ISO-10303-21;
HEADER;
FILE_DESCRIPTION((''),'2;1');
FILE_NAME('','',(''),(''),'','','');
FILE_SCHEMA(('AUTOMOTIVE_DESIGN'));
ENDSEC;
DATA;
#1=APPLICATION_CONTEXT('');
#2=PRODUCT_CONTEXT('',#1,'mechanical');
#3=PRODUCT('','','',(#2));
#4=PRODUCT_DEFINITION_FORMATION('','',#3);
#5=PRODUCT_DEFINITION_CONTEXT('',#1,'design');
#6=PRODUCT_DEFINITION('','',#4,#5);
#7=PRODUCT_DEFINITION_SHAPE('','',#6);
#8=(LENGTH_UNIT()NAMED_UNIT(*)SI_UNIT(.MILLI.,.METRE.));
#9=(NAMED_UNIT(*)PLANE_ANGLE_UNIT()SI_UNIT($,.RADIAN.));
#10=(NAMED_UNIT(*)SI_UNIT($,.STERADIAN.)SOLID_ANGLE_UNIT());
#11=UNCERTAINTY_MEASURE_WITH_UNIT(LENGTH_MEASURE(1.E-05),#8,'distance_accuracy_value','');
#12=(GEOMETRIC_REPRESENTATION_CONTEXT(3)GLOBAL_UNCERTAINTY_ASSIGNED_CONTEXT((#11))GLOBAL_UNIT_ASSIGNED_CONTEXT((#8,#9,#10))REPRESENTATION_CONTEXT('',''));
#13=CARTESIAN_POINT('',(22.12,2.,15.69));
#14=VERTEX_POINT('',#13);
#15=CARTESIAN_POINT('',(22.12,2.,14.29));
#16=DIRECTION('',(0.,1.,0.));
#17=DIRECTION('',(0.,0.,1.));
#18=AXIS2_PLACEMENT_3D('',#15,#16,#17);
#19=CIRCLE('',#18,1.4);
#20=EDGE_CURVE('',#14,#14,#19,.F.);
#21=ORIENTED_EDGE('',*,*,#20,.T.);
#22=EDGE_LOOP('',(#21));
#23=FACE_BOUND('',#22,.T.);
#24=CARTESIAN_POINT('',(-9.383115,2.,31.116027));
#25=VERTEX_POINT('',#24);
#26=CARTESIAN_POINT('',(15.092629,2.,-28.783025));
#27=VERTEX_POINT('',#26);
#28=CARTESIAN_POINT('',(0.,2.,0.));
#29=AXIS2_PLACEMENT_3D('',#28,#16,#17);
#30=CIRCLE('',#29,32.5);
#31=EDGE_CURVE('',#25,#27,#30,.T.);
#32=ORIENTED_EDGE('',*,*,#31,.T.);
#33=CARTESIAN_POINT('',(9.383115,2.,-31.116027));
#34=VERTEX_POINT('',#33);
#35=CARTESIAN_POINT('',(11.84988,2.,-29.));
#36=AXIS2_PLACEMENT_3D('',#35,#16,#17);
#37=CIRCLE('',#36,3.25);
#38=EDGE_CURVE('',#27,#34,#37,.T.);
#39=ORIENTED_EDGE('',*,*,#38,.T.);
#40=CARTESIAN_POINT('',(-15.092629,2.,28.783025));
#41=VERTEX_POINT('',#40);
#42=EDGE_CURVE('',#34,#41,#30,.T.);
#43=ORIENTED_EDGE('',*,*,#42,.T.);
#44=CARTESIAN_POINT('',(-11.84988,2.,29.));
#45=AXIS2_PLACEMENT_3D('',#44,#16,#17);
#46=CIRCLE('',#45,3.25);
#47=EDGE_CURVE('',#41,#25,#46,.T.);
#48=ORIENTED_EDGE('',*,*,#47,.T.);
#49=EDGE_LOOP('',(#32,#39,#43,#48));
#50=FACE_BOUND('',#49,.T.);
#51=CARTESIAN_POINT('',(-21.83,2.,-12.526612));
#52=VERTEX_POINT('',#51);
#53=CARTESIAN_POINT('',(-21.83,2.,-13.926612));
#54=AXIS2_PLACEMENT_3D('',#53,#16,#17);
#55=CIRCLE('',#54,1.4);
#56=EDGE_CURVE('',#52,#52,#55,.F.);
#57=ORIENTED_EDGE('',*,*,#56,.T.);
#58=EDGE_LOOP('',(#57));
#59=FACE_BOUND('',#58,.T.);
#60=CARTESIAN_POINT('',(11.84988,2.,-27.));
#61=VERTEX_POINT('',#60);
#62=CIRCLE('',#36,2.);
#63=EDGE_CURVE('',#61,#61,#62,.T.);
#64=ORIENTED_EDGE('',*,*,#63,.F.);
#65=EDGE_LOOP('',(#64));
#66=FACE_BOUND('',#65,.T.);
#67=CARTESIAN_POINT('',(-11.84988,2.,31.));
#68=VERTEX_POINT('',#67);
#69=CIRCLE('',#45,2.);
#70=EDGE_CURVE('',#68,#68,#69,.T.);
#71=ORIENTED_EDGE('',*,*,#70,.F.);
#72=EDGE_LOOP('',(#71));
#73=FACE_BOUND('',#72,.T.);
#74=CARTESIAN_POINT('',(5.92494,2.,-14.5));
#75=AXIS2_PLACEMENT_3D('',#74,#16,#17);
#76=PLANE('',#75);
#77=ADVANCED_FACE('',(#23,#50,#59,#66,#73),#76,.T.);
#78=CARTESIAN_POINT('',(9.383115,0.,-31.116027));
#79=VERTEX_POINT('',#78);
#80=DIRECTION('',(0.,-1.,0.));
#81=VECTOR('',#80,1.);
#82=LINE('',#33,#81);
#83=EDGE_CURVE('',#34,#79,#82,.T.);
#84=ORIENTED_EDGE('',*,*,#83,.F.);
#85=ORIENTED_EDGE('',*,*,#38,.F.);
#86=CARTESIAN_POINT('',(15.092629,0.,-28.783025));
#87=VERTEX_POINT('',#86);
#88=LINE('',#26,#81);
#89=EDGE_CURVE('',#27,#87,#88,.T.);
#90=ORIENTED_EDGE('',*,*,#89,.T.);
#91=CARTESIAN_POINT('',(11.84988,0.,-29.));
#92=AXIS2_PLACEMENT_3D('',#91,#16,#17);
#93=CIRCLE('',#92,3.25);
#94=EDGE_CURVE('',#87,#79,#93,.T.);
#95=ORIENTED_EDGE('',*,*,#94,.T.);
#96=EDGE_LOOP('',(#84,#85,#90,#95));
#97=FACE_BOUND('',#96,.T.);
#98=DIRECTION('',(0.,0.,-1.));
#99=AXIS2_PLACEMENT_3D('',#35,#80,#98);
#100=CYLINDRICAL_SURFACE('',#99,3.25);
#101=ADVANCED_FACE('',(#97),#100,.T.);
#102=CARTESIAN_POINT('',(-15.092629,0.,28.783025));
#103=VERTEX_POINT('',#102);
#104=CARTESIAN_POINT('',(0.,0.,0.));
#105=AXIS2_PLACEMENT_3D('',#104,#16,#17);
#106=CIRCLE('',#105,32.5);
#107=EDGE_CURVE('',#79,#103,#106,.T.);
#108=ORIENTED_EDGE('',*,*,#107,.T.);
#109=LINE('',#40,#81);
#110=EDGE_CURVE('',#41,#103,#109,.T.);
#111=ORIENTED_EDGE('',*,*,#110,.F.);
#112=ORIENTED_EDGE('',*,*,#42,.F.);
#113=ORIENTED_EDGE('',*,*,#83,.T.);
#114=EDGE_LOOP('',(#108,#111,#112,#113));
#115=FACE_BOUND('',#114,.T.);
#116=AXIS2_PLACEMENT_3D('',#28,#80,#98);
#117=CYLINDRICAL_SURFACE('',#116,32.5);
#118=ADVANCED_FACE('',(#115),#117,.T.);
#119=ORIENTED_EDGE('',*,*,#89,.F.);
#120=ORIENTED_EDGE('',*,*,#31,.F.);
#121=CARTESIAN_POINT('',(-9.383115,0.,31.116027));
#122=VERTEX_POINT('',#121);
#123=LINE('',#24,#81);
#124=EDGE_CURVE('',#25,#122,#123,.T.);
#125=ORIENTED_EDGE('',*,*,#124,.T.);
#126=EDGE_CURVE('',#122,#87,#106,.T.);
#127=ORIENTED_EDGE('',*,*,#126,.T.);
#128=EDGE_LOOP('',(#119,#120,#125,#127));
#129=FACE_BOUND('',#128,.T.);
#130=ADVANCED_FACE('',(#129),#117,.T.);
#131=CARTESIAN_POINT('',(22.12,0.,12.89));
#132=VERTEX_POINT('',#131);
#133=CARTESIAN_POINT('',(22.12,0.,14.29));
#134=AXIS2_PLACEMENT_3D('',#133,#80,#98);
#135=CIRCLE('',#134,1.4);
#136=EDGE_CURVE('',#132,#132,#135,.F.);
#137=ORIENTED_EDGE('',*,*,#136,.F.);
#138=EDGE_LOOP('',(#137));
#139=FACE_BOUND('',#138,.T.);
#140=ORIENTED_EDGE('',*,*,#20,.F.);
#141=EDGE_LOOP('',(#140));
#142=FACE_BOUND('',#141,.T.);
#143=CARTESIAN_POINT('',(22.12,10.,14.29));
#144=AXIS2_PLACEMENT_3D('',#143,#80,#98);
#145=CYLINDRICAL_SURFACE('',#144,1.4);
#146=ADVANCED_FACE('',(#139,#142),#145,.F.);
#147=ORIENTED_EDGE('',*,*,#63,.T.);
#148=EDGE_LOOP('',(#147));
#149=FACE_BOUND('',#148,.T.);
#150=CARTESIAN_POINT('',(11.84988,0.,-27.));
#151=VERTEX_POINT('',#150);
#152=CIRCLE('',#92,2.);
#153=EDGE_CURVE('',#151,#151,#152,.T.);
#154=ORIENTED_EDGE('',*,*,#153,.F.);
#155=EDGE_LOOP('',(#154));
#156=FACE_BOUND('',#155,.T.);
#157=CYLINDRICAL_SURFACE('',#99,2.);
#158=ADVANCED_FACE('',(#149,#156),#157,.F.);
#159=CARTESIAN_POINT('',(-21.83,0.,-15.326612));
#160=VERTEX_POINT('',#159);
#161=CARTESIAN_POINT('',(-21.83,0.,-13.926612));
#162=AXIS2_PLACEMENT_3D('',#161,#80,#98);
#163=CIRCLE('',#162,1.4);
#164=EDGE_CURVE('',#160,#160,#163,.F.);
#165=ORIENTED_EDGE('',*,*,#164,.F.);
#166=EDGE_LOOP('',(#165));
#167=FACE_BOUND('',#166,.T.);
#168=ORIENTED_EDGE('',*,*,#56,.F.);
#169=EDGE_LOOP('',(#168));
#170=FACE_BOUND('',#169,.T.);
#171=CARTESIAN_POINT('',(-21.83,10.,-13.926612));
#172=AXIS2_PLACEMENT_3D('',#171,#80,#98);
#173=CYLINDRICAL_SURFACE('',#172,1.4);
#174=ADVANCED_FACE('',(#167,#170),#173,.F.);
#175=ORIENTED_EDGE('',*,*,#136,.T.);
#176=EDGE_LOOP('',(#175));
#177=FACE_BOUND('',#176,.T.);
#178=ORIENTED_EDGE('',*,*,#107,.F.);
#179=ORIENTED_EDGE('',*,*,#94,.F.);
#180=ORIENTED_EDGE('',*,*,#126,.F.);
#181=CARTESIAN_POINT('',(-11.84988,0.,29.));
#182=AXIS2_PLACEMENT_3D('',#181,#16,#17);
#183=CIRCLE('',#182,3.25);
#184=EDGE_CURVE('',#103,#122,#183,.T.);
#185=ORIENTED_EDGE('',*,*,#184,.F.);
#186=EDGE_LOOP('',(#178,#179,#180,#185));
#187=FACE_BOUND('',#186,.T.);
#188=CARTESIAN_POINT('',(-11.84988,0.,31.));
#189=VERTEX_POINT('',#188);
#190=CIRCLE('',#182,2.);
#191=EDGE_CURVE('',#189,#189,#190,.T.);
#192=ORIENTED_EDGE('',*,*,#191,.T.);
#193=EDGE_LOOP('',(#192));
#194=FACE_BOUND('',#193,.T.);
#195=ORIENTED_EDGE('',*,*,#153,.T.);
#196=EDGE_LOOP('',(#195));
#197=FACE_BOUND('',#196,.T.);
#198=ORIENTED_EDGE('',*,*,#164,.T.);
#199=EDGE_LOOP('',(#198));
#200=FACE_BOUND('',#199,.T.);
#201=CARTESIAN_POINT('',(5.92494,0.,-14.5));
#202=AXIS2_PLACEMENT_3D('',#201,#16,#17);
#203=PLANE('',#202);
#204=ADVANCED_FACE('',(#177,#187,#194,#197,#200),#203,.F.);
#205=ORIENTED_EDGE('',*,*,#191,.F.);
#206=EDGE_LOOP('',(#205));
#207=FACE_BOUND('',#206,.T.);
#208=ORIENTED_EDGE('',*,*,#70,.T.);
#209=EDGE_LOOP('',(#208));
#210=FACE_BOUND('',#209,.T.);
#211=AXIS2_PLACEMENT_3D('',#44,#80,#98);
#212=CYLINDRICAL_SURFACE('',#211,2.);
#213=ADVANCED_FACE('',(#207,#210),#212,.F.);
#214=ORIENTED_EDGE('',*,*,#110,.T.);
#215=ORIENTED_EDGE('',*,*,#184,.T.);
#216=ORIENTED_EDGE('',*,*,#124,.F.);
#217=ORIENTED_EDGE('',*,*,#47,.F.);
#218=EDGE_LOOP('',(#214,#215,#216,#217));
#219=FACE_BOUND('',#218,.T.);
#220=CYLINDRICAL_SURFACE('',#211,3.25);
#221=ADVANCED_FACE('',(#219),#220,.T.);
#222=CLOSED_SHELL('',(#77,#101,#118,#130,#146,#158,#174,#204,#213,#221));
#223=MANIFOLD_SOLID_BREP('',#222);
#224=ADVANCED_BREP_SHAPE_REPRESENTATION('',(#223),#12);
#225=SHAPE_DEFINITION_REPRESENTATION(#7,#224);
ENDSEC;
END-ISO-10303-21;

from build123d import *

# Parameters (mm, degrees)
SKETCH1_R           = 2
BOSS_EXTRUDE1_DEPTH = 2
SKETCH6_R           = 1.4
CUT_EXTRUDE1_DEPTH  = 10


with BuildPart() as part:
    # Sketch1 → Boss-Extrude1 (new body)
    with BuildSketch(Plane(origin=(0, 0, 0), x_dir=(1, 0, 0), z_dir=(0, 1, 0))):
        with BuildLine():
            ThreePointArc((9.383115236, 31.116027196), (-30.08527478, 12.293341344), (-15.092629238, -28.783025253))
            ThreePointArc((-15.092629238, -28.783025253), (-13.079214236, -32.008527478), (-9.383115236, -31.116027196))
            ThreePointArc((-9.383115236, -31.116027196), (30.08527478, -12.293341344), (15.092629238, 28.783025253))
            ThreePointArc((15.092629238, 28.783025253), (13.079214236, 32.008527478), (9.383115236, 31.116027196))
        make_face()
        with Locations((11.849880102, 29)):
            Circle(SKETCH1_R, mode=Mode.SUBTRACT)
        with Locations((-11.849880102, -29)):
            Circle(SKETCH1_R, mode=Mode.SUBTRACT)
    extrude(amount=BOSS_EXTRUDE1_DEPTH)

    # Sketch6 → Cut-Extrude1 (cut)
    with BuildSketch(Plane.XZ):
        with Locations((-21.83, -13.926611625)):
            Circle(SKETCH6_R)
        with Locations((22.12, 14.29)):
            Circle(SKETCH6_R)
    extrude(amount=-CUT_EXTRUDE1_DEPTH, mode=Mode.SUBTRACT)


solid = part.part
